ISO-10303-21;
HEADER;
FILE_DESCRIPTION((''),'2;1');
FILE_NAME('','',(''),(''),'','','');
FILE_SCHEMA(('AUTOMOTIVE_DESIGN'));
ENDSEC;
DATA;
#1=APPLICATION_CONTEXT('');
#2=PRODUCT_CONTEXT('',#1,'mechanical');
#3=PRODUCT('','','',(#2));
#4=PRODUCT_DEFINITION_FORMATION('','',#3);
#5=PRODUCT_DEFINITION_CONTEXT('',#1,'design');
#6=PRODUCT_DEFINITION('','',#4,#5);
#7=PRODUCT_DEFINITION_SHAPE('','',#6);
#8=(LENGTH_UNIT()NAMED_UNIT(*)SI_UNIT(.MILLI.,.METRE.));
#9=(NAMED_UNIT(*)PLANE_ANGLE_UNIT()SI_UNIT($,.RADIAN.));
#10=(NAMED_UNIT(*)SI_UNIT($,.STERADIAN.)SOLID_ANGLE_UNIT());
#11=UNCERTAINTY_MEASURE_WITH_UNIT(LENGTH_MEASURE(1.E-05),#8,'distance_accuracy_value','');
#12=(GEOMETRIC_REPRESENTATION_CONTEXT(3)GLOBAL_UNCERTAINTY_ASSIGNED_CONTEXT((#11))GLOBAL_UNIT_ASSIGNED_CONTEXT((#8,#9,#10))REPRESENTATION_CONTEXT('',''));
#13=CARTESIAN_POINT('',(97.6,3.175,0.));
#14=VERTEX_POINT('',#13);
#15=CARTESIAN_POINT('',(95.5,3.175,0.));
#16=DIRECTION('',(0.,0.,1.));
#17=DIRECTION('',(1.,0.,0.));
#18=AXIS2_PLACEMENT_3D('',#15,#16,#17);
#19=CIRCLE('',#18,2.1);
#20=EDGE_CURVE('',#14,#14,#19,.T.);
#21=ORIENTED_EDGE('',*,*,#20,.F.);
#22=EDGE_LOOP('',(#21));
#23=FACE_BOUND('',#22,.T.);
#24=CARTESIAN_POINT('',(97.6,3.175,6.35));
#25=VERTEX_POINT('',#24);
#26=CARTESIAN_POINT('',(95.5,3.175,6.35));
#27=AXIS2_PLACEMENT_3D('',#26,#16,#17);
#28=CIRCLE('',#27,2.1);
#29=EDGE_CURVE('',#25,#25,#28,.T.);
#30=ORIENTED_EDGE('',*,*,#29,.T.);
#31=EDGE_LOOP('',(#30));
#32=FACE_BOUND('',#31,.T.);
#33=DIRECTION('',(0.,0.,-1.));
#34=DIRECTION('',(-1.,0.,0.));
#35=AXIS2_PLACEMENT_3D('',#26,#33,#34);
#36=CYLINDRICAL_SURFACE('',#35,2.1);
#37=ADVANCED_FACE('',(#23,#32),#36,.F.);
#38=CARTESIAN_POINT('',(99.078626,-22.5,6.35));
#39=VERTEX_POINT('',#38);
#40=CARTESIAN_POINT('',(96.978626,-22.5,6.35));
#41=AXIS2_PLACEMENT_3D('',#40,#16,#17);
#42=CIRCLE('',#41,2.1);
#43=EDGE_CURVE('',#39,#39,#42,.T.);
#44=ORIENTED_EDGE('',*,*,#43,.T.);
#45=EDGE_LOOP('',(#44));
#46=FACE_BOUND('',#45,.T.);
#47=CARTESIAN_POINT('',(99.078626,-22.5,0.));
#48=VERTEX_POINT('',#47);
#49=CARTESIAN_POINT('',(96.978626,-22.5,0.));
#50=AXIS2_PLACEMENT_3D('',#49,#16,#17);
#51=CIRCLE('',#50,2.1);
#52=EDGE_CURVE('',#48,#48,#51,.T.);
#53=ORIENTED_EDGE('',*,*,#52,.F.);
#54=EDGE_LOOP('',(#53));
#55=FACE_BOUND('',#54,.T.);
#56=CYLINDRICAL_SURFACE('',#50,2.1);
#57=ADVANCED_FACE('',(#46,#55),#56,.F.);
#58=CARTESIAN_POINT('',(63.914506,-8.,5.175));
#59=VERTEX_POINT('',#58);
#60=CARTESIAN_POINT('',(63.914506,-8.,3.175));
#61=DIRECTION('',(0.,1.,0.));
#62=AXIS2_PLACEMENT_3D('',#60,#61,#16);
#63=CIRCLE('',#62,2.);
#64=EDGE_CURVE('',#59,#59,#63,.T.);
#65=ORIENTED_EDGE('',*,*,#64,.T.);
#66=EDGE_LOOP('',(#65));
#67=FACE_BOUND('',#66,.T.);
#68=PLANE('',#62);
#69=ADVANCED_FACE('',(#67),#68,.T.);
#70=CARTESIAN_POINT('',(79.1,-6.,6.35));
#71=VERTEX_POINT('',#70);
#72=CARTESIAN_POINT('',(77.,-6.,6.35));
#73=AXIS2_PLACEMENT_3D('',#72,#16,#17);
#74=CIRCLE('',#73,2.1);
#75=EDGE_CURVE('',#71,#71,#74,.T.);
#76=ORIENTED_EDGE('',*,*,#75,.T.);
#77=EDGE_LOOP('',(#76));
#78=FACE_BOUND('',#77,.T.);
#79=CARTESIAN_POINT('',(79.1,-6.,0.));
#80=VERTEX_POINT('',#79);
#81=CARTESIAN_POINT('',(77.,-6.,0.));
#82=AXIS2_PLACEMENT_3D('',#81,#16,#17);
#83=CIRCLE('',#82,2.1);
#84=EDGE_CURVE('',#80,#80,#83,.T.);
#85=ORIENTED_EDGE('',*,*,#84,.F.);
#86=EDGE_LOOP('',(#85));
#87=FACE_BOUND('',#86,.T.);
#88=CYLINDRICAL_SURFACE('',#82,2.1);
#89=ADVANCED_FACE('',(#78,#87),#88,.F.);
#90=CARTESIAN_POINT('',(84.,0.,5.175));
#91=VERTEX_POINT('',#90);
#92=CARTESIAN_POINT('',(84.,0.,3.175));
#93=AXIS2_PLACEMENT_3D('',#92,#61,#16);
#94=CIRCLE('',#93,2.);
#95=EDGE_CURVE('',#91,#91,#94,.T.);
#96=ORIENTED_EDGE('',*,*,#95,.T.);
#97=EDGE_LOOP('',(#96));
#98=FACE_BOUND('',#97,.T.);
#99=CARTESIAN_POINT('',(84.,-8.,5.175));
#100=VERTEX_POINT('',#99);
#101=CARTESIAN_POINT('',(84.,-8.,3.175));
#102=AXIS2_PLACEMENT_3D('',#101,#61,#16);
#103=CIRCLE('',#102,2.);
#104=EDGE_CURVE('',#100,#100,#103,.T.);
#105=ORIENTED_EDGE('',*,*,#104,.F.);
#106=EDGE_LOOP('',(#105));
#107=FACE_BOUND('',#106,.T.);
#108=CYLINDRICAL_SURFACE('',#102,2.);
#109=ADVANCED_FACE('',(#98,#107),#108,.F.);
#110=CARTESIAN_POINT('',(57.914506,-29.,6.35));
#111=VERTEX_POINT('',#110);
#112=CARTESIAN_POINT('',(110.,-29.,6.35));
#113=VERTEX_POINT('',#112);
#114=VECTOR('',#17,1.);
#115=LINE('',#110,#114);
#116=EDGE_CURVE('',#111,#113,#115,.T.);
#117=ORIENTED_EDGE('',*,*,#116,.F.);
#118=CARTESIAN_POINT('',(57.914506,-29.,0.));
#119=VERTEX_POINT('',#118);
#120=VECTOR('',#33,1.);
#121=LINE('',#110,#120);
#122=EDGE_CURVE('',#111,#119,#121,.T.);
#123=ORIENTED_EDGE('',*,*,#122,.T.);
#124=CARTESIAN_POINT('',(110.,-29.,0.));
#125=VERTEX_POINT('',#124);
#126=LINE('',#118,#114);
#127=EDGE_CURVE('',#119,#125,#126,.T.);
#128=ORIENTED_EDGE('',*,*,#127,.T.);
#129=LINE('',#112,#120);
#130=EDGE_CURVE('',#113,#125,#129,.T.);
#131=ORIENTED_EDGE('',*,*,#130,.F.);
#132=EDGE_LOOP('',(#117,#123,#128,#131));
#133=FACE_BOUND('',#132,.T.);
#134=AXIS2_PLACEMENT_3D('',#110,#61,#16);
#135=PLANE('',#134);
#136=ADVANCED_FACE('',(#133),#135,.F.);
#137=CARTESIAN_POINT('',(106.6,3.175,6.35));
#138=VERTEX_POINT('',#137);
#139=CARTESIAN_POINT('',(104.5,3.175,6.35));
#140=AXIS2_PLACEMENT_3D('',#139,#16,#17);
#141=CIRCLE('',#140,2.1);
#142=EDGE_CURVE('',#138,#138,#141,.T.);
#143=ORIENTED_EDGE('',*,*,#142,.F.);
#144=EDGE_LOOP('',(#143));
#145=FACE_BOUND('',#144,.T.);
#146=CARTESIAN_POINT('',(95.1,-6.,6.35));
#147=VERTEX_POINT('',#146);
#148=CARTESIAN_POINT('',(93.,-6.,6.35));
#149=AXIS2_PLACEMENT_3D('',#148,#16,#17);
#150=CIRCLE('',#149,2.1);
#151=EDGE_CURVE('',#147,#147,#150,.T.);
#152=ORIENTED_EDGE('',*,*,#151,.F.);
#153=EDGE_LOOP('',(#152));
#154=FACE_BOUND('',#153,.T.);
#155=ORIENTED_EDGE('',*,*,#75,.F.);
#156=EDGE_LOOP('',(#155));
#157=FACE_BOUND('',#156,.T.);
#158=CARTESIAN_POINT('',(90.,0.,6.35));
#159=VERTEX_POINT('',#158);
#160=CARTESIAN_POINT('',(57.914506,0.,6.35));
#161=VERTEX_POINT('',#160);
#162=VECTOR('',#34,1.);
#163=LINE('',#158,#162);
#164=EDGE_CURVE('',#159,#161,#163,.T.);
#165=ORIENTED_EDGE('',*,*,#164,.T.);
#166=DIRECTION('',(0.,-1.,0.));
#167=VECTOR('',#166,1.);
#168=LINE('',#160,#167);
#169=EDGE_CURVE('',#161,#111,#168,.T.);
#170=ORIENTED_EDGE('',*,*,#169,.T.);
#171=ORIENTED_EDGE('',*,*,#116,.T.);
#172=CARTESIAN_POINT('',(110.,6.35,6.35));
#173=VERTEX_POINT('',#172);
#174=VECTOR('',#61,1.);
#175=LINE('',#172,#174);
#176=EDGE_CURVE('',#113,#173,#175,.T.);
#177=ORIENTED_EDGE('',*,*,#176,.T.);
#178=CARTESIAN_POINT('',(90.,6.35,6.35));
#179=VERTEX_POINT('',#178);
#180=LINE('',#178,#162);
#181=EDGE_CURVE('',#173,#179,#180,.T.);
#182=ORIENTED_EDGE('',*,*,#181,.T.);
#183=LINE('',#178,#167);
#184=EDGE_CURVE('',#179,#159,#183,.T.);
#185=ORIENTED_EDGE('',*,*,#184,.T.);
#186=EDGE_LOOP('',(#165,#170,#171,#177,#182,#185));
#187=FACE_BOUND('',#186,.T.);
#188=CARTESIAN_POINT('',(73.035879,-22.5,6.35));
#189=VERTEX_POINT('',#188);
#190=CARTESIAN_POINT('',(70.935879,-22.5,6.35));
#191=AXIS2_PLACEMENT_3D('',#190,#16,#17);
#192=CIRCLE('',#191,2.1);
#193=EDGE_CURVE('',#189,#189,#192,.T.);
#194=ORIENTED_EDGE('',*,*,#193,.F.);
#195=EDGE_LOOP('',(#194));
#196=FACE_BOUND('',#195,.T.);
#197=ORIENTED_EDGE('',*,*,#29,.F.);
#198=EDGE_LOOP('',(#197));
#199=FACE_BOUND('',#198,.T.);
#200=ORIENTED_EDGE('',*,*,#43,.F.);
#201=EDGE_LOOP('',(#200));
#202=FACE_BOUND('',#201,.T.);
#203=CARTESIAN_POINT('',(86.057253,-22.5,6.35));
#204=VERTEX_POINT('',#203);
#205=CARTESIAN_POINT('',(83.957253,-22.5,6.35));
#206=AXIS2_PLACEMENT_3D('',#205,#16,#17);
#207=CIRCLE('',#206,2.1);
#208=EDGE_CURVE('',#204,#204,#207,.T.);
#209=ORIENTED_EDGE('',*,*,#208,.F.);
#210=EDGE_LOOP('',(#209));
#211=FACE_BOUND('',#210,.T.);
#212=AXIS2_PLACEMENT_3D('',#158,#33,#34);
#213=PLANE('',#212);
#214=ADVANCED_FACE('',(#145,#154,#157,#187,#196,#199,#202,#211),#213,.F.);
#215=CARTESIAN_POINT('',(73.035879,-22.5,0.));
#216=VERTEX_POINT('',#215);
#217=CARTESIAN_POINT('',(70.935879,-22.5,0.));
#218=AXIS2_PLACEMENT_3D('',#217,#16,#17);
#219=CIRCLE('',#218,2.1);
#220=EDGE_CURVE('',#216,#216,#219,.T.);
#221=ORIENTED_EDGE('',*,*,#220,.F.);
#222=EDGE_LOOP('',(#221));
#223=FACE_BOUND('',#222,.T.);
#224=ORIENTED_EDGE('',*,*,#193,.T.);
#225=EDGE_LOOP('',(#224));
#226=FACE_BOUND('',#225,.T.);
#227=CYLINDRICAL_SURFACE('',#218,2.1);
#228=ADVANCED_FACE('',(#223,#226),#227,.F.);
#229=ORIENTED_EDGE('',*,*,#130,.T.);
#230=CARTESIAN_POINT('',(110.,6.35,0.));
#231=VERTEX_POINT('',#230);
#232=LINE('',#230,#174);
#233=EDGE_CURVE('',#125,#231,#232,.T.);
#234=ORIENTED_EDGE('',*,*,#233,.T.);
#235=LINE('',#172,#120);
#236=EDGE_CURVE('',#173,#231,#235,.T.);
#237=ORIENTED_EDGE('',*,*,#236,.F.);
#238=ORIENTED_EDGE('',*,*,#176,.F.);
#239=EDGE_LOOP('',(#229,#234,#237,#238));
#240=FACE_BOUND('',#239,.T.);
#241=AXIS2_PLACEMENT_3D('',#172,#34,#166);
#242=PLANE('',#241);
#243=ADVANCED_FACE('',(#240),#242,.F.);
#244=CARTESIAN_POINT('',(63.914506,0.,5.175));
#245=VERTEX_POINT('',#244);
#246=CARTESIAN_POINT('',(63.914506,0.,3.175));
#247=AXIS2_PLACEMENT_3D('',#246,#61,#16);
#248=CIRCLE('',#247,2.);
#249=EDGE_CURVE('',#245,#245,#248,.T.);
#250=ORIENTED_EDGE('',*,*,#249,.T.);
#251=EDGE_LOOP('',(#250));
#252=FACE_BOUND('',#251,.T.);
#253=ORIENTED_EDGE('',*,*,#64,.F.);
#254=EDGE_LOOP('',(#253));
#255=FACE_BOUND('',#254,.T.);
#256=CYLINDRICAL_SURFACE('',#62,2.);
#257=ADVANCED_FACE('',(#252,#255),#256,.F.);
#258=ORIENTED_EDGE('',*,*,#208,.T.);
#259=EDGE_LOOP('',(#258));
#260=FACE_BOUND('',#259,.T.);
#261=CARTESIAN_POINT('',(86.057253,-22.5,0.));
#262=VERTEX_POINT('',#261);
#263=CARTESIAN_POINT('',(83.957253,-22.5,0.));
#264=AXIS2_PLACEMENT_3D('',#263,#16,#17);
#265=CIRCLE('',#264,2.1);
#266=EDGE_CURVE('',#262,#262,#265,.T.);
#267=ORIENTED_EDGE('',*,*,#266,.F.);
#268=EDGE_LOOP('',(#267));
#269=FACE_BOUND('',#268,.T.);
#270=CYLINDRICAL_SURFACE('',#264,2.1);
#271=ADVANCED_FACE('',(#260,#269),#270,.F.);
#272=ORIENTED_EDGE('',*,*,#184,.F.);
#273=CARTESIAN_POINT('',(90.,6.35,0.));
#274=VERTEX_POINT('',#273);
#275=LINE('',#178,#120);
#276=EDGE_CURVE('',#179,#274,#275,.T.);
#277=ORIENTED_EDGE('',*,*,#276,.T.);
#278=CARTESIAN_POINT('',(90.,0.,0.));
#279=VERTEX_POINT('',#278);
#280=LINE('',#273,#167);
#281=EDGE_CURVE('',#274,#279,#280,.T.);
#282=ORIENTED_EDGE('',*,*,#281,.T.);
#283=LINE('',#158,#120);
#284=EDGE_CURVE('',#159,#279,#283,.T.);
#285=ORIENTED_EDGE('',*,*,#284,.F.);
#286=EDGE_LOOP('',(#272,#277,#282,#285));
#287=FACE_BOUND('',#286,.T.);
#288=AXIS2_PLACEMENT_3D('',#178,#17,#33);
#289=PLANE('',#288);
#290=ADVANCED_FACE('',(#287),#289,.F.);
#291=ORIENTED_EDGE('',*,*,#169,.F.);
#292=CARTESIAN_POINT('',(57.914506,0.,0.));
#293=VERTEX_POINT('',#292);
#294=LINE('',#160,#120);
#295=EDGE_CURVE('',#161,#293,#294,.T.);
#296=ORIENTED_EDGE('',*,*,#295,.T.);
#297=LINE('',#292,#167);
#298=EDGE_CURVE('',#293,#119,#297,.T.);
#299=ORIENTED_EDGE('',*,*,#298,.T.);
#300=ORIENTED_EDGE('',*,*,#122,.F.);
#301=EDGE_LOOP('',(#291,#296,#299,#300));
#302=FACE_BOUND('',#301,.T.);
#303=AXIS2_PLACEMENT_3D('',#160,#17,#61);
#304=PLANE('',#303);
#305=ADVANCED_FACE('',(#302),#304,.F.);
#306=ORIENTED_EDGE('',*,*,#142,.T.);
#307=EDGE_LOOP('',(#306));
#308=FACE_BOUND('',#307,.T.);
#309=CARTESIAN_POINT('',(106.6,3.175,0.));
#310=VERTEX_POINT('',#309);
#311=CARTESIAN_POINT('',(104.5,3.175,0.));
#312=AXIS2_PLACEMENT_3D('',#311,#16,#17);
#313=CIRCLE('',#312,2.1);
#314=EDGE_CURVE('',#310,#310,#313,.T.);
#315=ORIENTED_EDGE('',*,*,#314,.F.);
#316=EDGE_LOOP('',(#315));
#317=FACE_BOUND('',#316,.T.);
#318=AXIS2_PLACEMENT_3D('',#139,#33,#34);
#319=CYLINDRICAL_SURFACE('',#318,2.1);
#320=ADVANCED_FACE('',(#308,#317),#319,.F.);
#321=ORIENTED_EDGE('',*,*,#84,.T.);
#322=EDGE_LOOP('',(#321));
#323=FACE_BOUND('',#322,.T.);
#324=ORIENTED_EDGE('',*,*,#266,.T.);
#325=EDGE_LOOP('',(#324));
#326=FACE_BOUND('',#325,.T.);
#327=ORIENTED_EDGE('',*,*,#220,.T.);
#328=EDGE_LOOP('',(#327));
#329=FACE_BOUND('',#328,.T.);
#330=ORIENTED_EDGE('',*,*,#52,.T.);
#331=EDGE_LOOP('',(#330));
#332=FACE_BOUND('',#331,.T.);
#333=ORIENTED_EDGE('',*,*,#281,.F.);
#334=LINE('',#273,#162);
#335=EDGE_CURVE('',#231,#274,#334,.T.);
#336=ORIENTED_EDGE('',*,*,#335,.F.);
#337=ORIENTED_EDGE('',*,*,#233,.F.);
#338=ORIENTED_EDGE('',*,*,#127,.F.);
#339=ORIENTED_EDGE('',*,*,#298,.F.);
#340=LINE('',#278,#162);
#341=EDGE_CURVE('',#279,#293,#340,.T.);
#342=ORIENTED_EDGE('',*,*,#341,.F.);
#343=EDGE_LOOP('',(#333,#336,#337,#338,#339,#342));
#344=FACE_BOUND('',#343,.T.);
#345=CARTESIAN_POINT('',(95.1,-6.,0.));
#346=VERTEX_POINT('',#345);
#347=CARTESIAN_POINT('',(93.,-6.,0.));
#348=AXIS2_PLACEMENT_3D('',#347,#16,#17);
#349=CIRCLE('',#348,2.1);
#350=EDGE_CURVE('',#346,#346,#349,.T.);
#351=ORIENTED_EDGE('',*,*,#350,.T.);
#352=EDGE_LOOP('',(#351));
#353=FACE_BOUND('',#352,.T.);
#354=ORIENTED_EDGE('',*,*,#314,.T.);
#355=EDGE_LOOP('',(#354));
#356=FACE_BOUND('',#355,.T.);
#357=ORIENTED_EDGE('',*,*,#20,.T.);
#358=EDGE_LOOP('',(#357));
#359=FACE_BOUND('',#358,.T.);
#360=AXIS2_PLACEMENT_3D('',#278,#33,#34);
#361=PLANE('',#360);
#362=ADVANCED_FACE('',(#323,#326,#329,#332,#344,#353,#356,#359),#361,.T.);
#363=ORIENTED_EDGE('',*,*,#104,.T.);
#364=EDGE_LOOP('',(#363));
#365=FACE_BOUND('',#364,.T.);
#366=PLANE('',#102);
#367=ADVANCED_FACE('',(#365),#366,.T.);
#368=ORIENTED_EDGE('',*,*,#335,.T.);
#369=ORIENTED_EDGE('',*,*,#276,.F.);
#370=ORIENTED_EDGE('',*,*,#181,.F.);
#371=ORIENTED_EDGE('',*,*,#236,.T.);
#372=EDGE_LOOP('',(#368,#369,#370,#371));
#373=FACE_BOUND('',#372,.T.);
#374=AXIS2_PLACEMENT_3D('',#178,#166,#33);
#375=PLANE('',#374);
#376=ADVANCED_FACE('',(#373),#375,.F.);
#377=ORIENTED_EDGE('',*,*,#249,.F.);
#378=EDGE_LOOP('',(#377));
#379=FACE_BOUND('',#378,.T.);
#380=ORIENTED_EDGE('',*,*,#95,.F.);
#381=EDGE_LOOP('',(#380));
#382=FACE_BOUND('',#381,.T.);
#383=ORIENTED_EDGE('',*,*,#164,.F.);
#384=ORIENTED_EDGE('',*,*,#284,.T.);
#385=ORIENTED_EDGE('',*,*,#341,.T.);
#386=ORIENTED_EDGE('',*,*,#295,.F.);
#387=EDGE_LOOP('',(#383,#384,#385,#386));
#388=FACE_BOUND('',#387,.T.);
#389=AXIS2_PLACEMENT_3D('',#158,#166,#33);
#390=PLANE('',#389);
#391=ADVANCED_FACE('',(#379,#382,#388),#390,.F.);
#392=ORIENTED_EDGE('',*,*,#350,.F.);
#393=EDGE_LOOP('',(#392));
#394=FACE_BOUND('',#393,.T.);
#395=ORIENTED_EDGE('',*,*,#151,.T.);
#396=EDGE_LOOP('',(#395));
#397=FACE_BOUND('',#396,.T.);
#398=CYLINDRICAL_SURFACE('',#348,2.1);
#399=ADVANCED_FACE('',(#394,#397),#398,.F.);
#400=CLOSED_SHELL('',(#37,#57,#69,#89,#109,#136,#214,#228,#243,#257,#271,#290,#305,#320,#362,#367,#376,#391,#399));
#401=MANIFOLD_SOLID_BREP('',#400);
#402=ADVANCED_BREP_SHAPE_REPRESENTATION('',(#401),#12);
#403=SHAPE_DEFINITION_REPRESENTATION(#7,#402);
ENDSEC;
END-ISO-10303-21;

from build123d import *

# Parameters (mm, degrees)
SKETCH1_R           = 2.1
BOSS_EXTRUDE1_DEPTH = 6.35
SKETCH2_R           = 2.1
CUT_EXTRUDE1_DEPTH  = 7.35
SKETCH3_R           = 2
CUT_EXTRUDE2_DEPTH  = 8


with BuildPart() as part:
    # Sketch1 → Boss-Extrude1 (new body)
    with BuildSketch(Plane.XY):
        Polygon((90, 6.35), (110, 6.35), (110, -29), (57.914505889, -29), (57.914505889, 0), (90, 0), align=None)
        with Locations((95.5, 3.175)):
            Circle(SKETCH1_R, mode=Mode.SUBTRACT)
        with Locations((104.5, 3.175)):
            Circle(SKETCH1_R, mode=Mode.SUBTRACT)
    extrude(amount=BOSS_EXTRUDE1_DEPTH)

    # Sketch2 → Cut-Extrude1 (cut, through all)
    with BuildSketch(Plane.XY.offset(6.35)):
        with Locations((70.935879417, -22.5)):
            Circle(SKETCH2_R)
        with Locations((83.957252945, -22.5)):
            Circle(SKETCH2_R)
        with Locations((96.978626472, -22.5)):
            Circle(SKETCH2_R)
        with Locations((93, -6)):
            Circle(SKETCH2_R)
        with Locations((77, -6)):
            Circle(SKETCH2_R)
    extrude(amount=-CUT_EXTRUDE1_DEPTH, mode=Mode.SUBTRACT)

    # Sketch3 → Cut-Extrude2 (cut)
    with BuildSketch(Plane(origin=(0, 0, 0), x_dir=(-1, 0, 0), z_dir=(0, 1, 0))):
        with Locations((-84, 3.175)):
            Circle(SKETCH3_R)
        with Locations((-63.914505889, 3.175)):
            Circle(SKETCH3_R)
    extrude(amount=-CUT_EXTRUDE2_DEPTH, mode=Mode.SUBTRACT)


solid = part.part
